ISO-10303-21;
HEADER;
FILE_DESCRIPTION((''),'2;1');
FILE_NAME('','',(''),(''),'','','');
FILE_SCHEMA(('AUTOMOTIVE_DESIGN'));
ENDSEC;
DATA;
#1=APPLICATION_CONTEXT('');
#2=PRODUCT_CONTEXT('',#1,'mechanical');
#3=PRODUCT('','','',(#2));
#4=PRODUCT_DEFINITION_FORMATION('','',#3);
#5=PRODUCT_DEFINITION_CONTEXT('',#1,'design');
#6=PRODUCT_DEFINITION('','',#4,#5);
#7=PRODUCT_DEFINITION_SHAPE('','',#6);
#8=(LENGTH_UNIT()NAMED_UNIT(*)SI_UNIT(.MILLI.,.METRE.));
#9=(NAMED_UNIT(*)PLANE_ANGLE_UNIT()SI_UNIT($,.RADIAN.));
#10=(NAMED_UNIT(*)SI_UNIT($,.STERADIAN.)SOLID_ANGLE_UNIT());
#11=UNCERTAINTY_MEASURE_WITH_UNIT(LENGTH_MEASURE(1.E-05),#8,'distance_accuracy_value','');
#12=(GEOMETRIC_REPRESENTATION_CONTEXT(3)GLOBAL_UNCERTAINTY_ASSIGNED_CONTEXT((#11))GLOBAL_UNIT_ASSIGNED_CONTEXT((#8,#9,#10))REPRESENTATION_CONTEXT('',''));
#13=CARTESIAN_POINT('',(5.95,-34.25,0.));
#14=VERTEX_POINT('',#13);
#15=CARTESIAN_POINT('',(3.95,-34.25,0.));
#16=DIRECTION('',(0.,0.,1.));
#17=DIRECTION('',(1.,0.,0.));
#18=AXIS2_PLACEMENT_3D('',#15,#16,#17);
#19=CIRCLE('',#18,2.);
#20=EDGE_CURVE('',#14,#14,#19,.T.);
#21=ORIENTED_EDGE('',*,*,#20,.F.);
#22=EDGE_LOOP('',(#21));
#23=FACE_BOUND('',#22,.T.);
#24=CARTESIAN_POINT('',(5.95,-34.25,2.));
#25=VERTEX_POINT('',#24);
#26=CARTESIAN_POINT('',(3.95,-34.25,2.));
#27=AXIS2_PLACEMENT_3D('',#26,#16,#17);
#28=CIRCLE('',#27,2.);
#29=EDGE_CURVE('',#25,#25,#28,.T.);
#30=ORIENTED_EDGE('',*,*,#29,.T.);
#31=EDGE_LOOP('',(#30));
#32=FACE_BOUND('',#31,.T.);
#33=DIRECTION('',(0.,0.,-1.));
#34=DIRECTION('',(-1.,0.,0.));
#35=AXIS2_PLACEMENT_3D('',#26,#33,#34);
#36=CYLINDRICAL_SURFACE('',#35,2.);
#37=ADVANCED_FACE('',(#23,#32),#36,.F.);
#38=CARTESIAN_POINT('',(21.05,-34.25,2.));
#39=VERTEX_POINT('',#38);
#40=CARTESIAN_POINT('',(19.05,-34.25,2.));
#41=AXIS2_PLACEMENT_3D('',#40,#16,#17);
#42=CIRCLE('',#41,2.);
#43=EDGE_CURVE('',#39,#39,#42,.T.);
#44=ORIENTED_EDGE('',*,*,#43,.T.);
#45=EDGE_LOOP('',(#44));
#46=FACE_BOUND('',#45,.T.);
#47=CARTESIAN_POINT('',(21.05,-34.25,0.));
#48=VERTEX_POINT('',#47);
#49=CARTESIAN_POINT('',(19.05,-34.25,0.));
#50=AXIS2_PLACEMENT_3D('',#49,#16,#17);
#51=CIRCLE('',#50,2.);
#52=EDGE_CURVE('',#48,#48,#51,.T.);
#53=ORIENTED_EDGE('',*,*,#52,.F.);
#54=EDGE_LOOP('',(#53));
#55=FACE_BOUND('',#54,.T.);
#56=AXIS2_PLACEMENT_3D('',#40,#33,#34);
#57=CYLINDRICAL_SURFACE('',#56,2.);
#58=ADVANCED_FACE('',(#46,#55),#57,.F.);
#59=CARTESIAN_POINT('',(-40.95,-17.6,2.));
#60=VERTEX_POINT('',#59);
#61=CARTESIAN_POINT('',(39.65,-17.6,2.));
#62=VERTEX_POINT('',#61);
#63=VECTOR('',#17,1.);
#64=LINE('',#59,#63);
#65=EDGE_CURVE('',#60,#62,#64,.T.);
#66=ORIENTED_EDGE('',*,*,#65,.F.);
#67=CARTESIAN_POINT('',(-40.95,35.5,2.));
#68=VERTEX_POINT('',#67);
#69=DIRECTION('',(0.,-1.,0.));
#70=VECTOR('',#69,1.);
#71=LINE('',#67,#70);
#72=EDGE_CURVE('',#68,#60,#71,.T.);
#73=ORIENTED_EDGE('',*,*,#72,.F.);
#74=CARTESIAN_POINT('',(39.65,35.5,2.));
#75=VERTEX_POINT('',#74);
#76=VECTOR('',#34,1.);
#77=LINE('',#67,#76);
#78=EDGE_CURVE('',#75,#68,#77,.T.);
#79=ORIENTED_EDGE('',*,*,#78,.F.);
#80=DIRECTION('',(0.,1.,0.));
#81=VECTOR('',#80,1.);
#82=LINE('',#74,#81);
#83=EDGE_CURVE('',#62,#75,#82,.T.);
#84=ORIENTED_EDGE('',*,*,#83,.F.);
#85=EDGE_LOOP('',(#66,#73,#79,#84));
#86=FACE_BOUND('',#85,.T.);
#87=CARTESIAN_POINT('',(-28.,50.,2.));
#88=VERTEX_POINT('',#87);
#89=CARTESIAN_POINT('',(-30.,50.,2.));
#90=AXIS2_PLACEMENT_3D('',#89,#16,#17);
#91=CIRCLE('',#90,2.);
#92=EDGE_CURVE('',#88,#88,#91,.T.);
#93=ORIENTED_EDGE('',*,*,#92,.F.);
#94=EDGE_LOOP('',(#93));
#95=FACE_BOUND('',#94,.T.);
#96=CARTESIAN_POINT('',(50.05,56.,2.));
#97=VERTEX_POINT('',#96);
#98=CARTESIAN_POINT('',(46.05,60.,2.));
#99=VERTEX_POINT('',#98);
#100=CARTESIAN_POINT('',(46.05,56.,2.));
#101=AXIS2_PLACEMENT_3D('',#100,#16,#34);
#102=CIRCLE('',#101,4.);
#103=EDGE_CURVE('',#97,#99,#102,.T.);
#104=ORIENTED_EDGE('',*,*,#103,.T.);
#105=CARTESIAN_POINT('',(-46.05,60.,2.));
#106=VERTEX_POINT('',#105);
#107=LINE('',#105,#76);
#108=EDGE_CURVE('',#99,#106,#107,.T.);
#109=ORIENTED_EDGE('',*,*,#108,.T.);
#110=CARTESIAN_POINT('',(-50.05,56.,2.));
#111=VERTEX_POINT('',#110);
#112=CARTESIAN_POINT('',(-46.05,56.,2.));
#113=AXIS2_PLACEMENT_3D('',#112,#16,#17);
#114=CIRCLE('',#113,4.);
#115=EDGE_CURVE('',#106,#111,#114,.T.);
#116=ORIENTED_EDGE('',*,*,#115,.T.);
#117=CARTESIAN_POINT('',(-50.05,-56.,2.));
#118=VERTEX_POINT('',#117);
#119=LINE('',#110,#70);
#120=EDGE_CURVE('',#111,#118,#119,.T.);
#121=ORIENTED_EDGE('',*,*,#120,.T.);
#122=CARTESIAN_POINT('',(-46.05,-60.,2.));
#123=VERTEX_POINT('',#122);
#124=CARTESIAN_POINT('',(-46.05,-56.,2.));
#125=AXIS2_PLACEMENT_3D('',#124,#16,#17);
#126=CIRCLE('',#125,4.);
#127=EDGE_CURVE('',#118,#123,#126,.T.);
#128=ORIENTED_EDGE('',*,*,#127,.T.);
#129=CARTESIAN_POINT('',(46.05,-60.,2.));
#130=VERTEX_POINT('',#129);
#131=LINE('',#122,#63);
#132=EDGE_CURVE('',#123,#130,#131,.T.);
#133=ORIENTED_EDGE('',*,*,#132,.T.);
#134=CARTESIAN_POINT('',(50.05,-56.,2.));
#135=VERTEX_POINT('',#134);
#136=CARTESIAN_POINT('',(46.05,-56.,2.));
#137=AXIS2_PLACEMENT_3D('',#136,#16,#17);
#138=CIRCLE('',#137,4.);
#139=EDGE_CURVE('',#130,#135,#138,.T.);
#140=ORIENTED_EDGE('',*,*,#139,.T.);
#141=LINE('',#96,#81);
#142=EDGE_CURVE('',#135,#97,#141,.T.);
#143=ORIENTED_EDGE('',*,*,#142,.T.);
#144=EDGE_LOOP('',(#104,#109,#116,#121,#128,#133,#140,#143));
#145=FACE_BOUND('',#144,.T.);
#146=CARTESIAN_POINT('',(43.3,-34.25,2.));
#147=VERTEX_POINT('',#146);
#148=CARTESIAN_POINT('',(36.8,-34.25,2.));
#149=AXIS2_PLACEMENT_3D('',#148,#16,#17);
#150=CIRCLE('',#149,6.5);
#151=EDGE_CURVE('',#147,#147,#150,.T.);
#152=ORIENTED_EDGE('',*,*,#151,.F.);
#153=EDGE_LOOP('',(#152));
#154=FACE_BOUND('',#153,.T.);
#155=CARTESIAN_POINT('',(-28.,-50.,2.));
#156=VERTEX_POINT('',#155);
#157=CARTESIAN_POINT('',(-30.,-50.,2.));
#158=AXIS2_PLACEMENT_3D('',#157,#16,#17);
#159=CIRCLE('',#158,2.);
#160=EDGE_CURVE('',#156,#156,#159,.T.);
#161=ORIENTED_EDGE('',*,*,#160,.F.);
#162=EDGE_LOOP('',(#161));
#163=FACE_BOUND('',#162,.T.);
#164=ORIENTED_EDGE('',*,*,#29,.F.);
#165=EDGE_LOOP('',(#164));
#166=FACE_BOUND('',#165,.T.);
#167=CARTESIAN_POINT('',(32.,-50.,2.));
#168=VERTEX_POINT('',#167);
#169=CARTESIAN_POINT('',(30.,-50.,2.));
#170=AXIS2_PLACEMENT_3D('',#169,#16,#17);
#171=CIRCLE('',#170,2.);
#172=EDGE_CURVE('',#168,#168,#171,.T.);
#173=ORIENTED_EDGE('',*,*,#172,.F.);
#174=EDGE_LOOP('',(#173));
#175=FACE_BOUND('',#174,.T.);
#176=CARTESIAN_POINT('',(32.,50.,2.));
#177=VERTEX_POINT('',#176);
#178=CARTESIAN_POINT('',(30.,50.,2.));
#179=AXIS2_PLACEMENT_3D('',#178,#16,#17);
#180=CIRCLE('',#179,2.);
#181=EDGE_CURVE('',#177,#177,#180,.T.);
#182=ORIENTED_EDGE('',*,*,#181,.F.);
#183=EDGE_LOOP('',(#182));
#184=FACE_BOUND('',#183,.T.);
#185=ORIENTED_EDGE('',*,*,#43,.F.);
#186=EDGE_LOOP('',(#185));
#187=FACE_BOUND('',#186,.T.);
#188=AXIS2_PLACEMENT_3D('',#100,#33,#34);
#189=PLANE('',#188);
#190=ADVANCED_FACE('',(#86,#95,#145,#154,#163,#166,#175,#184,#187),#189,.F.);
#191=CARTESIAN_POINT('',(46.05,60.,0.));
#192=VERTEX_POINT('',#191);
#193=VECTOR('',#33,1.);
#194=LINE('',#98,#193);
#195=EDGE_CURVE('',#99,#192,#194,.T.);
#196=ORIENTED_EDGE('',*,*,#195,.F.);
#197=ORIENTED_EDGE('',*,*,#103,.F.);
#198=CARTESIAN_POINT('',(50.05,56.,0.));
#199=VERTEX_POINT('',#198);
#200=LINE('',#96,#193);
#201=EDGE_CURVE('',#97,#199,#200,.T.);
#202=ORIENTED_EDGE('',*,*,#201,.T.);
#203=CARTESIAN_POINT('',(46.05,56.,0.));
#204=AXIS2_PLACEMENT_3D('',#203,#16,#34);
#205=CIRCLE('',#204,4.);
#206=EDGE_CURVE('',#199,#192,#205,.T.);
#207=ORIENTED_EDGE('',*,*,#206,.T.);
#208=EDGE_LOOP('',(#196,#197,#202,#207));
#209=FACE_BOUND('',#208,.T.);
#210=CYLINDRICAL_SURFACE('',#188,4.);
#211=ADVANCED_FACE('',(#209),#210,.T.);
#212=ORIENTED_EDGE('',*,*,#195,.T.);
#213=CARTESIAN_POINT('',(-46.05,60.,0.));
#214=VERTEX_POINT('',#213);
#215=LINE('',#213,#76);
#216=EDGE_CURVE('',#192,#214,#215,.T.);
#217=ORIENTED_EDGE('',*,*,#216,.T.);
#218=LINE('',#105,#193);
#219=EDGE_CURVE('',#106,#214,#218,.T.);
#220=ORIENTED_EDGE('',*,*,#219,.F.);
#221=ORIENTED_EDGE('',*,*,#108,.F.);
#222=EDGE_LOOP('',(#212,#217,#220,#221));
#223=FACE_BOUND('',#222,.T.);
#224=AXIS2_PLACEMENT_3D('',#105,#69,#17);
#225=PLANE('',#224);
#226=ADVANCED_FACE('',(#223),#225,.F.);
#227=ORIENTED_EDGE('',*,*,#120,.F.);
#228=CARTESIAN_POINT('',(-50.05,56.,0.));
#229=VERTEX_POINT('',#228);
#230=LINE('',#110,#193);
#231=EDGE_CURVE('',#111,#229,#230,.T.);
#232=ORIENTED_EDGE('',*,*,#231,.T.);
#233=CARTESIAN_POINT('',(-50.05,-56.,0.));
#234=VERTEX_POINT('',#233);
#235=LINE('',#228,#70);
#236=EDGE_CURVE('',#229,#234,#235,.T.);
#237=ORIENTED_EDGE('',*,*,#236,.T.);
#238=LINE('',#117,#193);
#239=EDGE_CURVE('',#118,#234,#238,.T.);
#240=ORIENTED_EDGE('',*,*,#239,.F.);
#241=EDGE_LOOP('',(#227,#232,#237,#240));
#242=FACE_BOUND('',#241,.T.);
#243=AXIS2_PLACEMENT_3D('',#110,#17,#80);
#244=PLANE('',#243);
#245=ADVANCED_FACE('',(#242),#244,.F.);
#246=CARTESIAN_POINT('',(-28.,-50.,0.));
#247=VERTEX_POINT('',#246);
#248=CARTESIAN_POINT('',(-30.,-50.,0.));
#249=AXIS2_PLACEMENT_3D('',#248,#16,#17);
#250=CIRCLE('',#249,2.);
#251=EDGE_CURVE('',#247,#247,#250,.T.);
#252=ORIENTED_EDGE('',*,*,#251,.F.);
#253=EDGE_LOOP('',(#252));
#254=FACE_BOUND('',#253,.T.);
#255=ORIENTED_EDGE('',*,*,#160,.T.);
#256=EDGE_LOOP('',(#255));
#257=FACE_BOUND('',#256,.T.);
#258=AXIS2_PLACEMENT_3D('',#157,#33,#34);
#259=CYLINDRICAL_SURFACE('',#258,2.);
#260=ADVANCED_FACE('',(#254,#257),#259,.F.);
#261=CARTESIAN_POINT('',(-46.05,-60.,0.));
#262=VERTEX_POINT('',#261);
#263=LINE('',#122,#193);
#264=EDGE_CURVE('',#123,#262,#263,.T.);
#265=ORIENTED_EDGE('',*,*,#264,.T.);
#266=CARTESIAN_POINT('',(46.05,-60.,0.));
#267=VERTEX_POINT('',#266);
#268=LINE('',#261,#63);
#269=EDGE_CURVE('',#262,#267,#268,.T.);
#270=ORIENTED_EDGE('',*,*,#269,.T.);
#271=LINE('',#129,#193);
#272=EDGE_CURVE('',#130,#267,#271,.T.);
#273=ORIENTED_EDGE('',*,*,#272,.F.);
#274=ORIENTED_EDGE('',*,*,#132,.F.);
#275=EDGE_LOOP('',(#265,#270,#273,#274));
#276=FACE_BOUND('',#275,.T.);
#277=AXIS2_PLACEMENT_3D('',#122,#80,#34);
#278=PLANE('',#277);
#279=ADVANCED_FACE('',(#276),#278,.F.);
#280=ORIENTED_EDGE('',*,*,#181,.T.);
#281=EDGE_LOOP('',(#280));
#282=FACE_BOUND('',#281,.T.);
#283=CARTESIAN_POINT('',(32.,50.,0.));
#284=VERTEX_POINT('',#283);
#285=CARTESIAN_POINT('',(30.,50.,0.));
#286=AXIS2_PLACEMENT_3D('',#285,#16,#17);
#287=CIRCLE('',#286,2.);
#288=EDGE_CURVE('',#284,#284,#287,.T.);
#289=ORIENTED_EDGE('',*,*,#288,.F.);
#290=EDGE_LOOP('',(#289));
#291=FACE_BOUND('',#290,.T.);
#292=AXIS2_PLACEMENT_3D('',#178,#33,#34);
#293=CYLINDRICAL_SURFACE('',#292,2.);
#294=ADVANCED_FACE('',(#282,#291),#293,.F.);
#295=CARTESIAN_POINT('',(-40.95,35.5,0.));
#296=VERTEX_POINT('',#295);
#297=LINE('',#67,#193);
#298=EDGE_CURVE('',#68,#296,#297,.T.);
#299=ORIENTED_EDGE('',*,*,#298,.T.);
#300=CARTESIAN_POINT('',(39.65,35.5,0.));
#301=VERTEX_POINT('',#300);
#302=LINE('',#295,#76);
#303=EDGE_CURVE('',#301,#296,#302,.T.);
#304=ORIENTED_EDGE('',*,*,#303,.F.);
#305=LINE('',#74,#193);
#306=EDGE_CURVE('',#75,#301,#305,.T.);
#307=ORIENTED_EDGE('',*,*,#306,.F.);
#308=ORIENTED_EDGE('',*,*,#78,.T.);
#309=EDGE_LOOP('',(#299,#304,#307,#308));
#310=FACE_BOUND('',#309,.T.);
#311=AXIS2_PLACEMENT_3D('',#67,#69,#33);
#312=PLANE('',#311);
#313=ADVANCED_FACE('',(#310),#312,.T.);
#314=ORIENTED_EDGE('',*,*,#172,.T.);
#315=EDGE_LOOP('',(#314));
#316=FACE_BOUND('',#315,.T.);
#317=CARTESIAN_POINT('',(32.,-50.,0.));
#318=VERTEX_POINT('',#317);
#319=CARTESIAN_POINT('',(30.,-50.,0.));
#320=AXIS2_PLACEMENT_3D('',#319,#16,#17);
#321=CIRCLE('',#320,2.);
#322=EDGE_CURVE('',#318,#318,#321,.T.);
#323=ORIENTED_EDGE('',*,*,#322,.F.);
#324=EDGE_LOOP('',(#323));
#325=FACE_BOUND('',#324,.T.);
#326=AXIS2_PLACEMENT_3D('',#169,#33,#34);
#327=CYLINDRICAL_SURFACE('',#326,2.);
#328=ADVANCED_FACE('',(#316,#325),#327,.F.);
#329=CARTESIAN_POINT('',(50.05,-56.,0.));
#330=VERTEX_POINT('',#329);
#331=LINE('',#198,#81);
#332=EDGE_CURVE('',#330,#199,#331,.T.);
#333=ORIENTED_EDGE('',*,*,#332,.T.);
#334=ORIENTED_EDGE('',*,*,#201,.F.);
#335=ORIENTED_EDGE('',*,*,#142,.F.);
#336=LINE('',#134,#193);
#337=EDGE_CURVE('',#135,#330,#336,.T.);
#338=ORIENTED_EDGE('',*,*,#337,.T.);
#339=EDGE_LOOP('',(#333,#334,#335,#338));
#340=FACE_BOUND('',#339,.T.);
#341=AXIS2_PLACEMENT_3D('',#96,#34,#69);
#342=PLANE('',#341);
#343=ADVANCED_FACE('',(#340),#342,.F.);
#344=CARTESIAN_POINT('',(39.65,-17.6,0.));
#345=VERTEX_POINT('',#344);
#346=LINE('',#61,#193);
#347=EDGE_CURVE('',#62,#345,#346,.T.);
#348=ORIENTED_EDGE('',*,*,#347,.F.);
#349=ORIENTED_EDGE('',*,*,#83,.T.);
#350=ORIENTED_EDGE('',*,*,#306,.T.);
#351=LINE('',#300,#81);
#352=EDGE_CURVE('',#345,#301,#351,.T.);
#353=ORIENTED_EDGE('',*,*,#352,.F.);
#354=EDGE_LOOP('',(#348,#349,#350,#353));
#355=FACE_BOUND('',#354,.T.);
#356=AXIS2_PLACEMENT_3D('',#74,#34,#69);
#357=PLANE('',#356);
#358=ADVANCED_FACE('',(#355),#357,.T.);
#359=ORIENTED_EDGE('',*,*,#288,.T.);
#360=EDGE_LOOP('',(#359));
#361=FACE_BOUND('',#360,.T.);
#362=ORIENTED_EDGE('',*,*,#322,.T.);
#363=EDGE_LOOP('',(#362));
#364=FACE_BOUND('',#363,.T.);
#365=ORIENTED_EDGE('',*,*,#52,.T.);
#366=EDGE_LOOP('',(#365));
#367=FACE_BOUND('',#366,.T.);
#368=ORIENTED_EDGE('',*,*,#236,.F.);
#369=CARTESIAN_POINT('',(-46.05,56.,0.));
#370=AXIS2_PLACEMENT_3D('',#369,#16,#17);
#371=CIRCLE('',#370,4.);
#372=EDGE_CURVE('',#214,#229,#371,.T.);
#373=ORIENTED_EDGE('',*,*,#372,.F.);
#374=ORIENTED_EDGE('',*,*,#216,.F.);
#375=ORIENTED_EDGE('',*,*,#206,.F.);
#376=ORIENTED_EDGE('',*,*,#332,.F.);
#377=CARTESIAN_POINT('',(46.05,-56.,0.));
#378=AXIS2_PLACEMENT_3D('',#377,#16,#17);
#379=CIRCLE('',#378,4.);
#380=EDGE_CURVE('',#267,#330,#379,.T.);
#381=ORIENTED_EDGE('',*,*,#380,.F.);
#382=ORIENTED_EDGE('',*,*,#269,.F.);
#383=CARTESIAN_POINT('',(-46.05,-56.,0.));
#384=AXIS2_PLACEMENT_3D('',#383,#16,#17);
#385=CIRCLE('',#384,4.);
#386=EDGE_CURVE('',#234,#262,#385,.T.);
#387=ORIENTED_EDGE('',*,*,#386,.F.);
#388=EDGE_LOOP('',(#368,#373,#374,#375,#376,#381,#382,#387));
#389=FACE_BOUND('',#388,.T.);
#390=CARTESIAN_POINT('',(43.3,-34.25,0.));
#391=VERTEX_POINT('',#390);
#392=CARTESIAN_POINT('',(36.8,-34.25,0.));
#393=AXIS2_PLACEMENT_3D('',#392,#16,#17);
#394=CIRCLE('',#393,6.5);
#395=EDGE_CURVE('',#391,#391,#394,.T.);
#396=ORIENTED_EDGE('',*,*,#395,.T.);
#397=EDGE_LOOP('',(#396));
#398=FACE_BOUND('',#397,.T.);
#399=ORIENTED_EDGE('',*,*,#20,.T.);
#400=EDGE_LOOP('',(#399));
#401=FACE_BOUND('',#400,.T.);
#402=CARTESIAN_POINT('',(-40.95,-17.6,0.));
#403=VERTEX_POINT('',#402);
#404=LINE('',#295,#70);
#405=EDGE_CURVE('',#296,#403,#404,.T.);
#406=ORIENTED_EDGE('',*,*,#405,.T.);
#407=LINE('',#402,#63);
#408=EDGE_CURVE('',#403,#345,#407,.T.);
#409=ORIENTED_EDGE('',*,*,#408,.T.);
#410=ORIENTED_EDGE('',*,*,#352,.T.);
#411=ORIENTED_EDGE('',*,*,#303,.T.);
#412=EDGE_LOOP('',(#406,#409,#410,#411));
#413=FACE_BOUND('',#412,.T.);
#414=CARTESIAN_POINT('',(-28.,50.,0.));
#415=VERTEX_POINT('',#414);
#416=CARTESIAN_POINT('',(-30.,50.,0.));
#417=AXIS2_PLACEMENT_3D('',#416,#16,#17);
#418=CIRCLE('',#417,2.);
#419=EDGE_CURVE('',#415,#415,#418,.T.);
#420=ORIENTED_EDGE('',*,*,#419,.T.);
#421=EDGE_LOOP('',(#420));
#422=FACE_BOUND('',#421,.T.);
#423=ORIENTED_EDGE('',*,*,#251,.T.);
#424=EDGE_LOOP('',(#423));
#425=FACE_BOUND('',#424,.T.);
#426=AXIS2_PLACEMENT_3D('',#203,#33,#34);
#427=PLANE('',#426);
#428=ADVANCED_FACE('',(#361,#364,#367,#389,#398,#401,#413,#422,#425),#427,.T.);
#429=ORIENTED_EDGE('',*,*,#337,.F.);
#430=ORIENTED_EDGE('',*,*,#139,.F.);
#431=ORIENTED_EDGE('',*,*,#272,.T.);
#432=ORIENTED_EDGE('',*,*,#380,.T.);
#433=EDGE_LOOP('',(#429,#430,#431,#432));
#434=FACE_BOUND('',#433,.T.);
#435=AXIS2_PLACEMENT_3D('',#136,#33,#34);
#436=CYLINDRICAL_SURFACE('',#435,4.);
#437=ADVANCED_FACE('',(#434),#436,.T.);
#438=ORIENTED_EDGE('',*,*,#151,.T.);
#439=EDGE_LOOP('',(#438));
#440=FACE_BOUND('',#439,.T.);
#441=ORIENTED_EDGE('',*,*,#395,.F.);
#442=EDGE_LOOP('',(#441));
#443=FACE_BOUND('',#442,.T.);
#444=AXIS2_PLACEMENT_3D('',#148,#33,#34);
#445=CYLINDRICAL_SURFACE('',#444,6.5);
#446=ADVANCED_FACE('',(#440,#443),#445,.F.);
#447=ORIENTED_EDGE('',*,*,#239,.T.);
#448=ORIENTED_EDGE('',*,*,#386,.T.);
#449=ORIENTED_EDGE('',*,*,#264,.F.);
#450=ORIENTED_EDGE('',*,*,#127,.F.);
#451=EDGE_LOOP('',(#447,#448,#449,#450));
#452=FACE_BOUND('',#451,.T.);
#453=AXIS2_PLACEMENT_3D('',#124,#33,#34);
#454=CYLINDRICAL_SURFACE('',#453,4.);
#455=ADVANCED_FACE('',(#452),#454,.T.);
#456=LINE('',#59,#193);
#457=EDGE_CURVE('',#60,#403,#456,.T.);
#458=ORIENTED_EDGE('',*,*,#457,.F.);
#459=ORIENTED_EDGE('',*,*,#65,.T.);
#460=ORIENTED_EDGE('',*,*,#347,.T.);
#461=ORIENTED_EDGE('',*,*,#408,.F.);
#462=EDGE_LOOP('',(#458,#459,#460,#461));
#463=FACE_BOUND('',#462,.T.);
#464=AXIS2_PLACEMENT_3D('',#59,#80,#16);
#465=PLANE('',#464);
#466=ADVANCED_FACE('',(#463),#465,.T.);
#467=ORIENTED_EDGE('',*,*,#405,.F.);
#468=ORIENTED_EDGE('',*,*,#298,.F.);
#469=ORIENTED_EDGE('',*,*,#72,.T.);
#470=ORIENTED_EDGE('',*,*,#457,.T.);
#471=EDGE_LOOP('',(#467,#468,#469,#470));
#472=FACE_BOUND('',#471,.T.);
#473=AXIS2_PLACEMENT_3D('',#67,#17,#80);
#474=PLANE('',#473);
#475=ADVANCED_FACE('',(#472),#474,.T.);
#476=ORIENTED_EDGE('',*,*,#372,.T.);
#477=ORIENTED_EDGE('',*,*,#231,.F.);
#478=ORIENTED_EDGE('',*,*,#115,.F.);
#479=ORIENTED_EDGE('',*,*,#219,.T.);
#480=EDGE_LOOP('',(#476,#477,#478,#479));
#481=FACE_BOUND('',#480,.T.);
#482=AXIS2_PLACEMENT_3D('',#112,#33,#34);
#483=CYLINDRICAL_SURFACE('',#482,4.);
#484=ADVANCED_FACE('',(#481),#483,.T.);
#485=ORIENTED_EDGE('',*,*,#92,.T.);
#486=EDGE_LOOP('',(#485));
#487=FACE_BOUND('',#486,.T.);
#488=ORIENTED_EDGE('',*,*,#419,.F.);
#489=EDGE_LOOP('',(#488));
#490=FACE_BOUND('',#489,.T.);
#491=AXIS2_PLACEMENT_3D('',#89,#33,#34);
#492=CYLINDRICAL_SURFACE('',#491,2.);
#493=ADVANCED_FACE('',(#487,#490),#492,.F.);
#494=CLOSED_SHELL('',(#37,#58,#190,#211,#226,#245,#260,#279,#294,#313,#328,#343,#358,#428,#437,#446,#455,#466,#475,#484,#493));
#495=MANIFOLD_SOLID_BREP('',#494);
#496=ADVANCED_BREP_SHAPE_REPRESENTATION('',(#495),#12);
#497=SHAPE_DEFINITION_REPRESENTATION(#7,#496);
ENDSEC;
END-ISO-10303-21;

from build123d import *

# Parameters (mm, degrees)
SKETCH1_R           = 2
SKETCH1_R_2         = 6.5
SKETCH1_W           = 80.6
SKETCH1_H           = 53.1
BOSS_EXTRUDE1_DEPTH = 2


with BuildPart() as part:
    # Sketch1 → Boss-Extrude1 (new body)
    with BuildSketch(Plane.XY):
        with BuildLine():
            Line((-46.05, 60), (46.05, 60))
            ThreePointArc((46.05, 60), (48.878427125, 58.828427125), (50.05, 56))
            Line((50.05, 56), (50.05, -56))
            ThreePointArc((50.05, -56), (48.878427125, -58.828427125), (46.05, -60))
            Line((46.05, -60), (-46.05, -60))
            ThreePointArc((-46.05, -60), (-48.878427125, -58.828427125), (-50.05, -56))
            Line((-50.05, -56), (-50.05, 56))
            ThreePointArc((-50.05, 56), (-48.878427125, 58.828427125), (-46.05, 60))
        make_face()
        with Locations((-30, 50)):
            Circle(SKETCH1_R, mode=Mode.SUBTRACT)
        with Locations((-30, -50)):
            Circle(SKETCH1_R, mode=Mode.SUBTRACT)
        with Locations((30, -50)):
            Circle(SKETCH1_R, mode=Mode.SUBTRACT)
        with Locations((30, 50)):
            Circle(SKETCH1_R, mode=Mode.SUBTRACT)
        with Locations((36.8, -34.25)):
            Circle(SKETCH1_R_2, mode=Mode.SUBTRACT)
        with Locations((19.05, -34.25)):
            Circle(SKETCH1_R, mode=Mode.SUBTRACT)
        with Locations((3.95, -34.25)):
            Circle(SKETCH1_R, mode=Mode.SUBTRACT)
        with Locations((-0.65, 8.95)):
            Rectangle(SKETCH1_W, SKETCH1_H, mode=Mode.SUBTRACT)
    extrude(amount=BOSS_EXTRUDE1_DEPTH)


solid = part.part
